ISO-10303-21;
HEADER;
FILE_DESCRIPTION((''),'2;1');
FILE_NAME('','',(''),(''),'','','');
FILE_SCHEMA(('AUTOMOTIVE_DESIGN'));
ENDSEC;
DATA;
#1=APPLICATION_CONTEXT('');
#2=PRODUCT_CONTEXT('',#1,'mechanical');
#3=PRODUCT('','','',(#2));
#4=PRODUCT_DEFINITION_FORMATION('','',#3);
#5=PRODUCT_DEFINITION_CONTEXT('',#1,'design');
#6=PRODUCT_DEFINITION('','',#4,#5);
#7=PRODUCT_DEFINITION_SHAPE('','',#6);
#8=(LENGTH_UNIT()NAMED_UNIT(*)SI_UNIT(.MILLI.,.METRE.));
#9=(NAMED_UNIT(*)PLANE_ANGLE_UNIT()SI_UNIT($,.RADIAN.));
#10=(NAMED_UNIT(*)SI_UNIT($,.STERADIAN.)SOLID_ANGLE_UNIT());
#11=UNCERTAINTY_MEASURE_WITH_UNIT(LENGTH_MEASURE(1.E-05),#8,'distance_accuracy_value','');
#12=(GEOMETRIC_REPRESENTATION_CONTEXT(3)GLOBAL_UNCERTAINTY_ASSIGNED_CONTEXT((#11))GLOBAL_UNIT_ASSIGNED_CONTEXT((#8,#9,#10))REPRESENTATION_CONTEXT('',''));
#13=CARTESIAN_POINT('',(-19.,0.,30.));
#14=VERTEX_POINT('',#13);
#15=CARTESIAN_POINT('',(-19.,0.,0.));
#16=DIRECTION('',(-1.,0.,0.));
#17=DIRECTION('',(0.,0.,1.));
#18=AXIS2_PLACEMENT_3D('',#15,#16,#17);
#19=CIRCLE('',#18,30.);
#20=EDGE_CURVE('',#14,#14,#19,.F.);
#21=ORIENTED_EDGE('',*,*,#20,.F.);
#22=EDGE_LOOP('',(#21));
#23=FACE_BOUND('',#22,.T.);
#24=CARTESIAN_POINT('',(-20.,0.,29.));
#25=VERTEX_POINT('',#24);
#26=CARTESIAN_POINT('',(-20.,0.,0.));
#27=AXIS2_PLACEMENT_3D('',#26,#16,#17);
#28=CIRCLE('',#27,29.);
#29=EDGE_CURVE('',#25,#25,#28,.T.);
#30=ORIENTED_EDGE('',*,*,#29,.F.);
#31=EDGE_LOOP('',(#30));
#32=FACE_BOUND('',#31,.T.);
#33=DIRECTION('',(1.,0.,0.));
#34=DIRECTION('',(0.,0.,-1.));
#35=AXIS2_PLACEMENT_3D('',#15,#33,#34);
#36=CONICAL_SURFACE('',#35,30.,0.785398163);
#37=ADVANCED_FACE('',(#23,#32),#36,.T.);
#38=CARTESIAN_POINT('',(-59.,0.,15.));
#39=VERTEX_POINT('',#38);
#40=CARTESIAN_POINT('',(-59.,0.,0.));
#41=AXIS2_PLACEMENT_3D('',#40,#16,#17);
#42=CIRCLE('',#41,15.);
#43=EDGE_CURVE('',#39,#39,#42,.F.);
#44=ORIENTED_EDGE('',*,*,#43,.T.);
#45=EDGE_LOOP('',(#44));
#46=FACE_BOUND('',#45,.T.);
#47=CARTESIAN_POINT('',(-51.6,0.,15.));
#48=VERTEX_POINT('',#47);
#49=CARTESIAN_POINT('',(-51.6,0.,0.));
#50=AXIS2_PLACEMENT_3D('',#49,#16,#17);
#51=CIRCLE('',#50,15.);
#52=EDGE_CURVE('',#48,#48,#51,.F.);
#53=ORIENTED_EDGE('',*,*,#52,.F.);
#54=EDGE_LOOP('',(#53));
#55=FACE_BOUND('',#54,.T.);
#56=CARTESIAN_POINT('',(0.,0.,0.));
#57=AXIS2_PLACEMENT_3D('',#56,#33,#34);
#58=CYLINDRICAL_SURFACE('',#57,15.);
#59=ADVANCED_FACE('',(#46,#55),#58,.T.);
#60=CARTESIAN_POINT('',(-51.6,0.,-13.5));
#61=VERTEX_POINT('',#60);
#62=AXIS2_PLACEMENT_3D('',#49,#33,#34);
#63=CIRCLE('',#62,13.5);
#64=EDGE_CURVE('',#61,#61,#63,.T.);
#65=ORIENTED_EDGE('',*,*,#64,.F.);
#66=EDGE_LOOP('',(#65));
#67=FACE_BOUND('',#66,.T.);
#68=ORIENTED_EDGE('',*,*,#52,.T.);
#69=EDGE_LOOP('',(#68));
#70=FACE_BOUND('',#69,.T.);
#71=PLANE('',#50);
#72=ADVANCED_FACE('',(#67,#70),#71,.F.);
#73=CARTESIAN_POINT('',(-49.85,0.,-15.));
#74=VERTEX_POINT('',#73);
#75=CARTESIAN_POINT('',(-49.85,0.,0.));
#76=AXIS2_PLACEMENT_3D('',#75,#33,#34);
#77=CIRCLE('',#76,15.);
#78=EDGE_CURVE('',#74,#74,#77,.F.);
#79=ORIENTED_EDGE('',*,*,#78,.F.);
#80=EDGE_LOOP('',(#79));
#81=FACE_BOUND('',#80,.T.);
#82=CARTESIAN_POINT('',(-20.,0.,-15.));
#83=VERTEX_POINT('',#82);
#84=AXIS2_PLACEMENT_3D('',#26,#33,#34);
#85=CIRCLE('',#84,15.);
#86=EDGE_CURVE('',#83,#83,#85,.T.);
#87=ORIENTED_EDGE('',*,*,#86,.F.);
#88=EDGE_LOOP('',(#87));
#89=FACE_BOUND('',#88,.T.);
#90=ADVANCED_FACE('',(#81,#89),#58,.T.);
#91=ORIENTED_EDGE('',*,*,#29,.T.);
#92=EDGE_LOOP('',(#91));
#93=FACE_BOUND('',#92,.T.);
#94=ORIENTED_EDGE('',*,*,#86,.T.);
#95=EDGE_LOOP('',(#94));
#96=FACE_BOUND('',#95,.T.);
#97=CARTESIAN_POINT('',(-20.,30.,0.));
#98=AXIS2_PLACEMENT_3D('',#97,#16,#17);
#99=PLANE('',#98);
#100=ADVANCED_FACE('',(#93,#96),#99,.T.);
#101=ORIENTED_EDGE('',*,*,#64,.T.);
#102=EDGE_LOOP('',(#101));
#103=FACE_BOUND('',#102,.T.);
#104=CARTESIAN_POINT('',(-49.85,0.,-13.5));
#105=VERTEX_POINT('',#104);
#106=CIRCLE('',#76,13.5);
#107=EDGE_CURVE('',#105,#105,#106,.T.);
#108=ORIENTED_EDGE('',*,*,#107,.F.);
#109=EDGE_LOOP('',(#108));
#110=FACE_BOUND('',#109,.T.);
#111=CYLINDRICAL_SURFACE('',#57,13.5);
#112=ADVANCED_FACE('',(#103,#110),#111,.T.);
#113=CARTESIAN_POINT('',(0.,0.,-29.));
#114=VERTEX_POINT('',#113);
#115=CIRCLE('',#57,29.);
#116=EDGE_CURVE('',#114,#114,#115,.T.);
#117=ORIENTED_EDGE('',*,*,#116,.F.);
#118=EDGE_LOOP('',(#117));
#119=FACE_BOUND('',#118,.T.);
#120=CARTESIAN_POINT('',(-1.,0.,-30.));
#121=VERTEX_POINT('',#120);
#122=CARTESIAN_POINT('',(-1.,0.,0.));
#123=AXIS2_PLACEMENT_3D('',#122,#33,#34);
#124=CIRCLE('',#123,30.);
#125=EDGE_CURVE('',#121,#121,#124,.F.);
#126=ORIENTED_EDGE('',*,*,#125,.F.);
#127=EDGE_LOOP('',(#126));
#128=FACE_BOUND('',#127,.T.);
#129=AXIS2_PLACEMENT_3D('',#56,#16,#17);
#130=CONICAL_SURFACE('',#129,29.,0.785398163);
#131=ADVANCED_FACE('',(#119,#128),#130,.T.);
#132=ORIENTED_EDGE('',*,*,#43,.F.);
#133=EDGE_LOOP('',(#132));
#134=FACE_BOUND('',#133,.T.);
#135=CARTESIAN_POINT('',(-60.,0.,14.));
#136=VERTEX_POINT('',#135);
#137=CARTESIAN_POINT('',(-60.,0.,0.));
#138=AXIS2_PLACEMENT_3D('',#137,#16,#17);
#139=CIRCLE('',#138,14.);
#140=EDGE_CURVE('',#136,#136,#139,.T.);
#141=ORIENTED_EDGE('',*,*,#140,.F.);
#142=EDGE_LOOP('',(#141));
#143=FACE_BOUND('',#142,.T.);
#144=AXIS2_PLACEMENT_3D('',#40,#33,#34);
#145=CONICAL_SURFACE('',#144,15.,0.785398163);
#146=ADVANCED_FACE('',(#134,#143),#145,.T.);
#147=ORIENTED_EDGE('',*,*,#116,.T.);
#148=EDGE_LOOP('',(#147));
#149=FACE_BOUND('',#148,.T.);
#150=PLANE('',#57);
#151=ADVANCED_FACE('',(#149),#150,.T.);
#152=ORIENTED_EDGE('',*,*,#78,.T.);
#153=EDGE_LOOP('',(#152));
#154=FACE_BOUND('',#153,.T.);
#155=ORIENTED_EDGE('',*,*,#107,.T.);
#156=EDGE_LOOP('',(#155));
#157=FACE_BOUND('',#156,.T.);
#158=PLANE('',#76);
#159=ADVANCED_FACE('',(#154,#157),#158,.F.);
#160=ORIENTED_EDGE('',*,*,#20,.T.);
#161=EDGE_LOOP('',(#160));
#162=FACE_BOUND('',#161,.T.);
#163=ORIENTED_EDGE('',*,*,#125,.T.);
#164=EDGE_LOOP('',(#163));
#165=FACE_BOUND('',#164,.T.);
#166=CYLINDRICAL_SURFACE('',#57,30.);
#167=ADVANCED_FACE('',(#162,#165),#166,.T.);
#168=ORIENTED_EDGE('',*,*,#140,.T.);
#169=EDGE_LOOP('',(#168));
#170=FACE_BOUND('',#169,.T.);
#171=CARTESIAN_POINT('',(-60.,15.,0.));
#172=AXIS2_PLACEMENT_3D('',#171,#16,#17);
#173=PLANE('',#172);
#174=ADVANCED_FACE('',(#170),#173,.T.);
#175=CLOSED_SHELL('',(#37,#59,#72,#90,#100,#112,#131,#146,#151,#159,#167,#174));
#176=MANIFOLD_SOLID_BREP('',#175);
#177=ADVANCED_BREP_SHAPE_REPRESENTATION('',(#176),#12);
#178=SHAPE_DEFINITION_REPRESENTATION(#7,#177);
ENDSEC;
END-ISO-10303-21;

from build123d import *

# Parameters (mm, degrees)
SMUSSO1_SIZE = 1
SCHIZZO5_W   = 1.6
SCHIZZO5_H   = 4.170885387
SCHIZZO5_W_2 = 0.15


with BuildPart() as part:
    # Schizzo1 → Rivoluzione1 (revolve)
    with BuildSketch(Plane.XY, mode=Mode.PRIVATE) as rivoluzione1_sk:
        Polygon((0, 0), (0, 30), (-20, 30), (-20, 15), (-60, 15), (-60, 0), align=None)
    revolve(rivoluzione1_sk.sketch.rotate(Axis((0, 0, 0), (-1, 0, 0)), 90), axis=Axis((0, 0, 0), (-1, 0, 0)))

    # Smusso1
    smusso1_edges = [part.edges().sort_by_distance(p)[0] for p in [
        (-60, 0, 15),
        (-20, 0, 30),
        (0, 0, 30),
    ]]
    chamfer(smusso1_edges, length=SMUSSO1_SIZE)

    # Schizzo5 → Taglia-Rivoluzione7 (revolve, cut)
    with BuildSketch(Plane.XY, mode=Mode.PRIVATE) as taglia_rivoluzione7_sk:
        with Locations((-50.8, 15.585442694)):
            Rectangle(SCHIZZO5_W, SCHIZZO5_H)
        with Locations((-49.925, 15.585442694)):
            Rectangle(SCHIZZO5_W_2, SCHIZZO5_H)
    revolve(taglia_rivoluzione7_sk.sketch.rotate(Axis((0, 0, 0), (-1, 0, 0)), 270), axis=Axis((0, 0, 0), (-1, 0, 0)), mode=Mode.SUBTRACT)


solid = part.part
